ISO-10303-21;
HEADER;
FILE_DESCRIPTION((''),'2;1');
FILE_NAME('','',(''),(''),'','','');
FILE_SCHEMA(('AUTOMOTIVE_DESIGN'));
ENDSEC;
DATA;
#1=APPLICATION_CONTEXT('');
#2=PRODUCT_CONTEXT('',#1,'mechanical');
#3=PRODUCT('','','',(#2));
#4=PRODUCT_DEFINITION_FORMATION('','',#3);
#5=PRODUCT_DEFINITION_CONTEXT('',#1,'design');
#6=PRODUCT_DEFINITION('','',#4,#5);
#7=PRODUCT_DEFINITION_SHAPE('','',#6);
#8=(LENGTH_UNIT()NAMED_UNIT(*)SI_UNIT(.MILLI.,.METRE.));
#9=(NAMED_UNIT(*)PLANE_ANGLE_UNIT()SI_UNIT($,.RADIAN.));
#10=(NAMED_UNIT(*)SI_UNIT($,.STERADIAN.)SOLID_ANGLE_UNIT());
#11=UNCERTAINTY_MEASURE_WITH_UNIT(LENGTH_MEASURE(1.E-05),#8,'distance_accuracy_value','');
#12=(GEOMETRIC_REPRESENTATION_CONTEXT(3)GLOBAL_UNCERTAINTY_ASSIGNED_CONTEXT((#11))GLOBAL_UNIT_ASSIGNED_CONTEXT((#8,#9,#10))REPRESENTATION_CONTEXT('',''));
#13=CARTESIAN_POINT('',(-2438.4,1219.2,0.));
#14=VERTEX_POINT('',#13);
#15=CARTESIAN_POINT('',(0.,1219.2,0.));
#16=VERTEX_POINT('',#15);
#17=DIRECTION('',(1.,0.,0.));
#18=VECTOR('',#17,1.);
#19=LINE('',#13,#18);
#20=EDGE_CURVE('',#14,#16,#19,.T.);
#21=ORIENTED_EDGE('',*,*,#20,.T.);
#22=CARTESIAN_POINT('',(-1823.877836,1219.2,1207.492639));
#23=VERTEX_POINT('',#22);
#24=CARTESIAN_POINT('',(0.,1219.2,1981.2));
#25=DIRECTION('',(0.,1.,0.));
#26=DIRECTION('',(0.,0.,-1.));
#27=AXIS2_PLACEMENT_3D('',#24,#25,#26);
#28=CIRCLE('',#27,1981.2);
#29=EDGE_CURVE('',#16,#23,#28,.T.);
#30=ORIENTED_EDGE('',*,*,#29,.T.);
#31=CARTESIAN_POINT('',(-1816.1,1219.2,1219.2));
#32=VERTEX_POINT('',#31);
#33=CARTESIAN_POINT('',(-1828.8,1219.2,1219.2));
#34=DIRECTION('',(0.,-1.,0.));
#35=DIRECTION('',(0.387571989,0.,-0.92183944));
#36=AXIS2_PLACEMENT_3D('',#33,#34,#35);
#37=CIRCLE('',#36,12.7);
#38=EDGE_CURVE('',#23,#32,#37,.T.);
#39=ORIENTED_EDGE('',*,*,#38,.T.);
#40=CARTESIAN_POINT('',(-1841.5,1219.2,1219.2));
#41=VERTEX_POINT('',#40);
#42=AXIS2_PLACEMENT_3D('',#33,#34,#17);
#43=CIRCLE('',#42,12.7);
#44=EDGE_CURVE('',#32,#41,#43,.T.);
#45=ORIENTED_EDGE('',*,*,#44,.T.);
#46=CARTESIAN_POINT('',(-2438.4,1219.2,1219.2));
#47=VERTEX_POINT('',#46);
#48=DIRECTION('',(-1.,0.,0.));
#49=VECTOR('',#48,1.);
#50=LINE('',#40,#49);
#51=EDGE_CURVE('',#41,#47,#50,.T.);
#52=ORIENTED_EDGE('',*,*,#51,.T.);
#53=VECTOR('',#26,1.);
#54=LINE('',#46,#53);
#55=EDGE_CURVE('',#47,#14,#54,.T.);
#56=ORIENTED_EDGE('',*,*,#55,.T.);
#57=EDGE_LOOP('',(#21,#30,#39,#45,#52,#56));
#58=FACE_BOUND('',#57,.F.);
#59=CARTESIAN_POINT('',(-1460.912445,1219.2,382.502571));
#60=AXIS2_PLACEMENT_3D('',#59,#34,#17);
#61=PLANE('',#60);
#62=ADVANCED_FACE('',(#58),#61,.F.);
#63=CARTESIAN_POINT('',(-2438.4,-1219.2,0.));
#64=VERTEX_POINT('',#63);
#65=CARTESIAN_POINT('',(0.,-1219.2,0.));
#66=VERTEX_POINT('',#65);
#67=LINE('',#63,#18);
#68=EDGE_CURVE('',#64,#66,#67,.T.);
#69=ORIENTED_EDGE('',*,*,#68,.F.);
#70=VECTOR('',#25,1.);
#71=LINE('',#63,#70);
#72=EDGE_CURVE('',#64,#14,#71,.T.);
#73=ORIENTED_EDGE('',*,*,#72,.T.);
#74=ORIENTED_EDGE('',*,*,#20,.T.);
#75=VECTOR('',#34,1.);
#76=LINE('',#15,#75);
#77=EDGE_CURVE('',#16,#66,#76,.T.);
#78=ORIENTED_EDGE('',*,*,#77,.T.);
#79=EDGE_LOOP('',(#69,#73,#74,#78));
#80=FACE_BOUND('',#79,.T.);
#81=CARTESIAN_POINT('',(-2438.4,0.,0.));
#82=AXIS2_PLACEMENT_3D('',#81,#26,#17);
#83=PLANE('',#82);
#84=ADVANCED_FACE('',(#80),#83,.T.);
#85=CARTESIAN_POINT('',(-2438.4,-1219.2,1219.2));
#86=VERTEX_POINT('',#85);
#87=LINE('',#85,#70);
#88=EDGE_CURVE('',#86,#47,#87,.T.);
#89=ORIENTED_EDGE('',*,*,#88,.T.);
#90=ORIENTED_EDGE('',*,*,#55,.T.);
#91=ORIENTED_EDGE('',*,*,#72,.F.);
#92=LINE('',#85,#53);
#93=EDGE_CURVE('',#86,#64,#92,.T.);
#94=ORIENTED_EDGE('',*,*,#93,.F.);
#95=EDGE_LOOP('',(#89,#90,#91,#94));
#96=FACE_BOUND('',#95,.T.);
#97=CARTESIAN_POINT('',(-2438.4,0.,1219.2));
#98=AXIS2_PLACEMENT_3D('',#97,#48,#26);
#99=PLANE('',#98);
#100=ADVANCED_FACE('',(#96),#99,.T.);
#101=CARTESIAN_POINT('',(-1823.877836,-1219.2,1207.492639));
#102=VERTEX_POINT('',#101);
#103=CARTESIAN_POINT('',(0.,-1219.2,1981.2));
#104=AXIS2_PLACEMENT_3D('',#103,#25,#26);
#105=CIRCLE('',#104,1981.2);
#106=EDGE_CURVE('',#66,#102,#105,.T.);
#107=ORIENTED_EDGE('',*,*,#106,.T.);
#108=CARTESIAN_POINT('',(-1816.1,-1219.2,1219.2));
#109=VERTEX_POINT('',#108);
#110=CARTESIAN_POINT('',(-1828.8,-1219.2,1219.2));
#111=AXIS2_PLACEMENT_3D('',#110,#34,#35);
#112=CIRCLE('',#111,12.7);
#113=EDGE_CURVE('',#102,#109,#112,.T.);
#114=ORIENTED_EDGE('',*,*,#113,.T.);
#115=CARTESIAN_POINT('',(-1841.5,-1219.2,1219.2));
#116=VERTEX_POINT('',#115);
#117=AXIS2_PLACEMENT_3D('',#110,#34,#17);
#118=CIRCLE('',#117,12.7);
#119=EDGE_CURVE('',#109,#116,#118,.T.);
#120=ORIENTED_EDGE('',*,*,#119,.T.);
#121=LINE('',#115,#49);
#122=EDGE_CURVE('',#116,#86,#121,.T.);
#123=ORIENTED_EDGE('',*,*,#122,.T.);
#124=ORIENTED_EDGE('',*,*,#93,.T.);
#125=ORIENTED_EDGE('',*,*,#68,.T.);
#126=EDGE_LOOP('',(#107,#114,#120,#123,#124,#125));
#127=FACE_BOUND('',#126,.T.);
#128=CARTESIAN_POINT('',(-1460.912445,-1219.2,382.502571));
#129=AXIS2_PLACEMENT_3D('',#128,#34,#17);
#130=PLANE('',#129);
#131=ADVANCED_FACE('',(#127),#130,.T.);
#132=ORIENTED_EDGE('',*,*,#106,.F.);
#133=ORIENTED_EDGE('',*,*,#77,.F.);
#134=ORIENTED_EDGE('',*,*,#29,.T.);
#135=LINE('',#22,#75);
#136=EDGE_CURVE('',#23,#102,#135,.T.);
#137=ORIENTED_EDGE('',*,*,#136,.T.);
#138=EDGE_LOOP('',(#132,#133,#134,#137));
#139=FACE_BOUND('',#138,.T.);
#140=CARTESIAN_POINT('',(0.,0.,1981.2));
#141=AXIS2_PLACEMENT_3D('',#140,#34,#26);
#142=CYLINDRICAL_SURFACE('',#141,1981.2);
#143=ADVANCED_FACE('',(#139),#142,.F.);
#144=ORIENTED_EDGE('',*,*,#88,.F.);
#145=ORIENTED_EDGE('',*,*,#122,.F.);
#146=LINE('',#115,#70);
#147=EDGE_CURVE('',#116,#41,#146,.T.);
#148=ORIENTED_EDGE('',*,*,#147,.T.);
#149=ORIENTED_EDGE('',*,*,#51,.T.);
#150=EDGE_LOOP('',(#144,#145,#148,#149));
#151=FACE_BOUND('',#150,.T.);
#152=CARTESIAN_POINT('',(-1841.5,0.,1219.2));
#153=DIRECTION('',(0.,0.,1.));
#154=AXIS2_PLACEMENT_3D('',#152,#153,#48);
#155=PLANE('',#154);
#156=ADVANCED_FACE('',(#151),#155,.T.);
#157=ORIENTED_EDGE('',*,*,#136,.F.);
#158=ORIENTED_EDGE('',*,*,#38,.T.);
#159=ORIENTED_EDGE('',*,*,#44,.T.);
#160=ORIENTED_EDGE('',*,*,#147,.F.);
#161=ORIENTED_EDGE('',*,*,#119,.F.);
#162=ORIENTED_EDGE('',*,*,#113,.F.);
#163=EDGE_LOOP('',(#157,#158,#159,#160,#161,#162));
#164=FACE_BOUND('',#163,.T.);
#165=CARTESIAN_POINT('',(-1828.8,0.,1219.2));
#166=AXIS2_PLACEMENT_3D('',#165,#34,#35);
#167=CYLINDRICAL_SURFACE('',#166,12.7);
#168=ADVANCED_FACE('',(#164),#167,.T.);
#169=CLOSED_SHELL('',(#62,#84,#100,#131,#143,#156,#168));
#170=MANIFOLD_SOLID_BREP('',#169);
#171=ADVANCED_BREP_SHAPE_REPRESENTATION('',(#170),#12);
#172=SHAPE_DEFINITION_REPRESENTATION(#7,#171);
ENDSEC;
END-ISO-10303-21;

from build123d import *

# Parameters (mm, degrees)
F1_DEPTH = 1219.2


with BuildPart() as f1:
    # F0 (on Front) → F1 (new body, symmetric)
    with BuildSketch(Plane.XZ):
        with BuildLine():
            Line((-2438.4, 0), (0, 0))
            ThreePointArc((0, 0), (-1093.6828645922, 329.2280778121), (-1823.8778357404, 1207.4926391103))
            ThreePointArc((-1823.8778357404, 1207.4926391103), (-1835.8277490672, 1208.6216852454), (-1841.5, 1219.2))
            Line((-1841.5, 1219.2), (-2438.4, 1219.2))
            Line((-2438.4, 1219.2), (-2438.4, 0))
        make_face()
        with BuildLine():
            Line((-1828.8, 1219.2), (-1816.1, 1219.2))
            ThreePointArc((-1816.1, 1219.2), (-1828.8, 1231.9), (-1841.5, 1219.2))
            Line((-1841.5, 1219.2), (-1828.8, 1219.2))
        make_face()
        with BuildLine():
            ThreePointArc((-1828.8, 1219.2), (-1826.3482987924, 1213.3423755031), (-1823.8778357404, 1207.4926391103))
            ThreePointArc((-1823.8778357404, 1207.4926391103), (-1818.2216852454, 1212.1722509328), (-1816.1, 1219.2))
            Line((-1816.1, 1219.2), (-1828.8, 1219.2))
        make_face()
        with BuildLine():
            ThreePointArc((-1841.5, 1219.2), (-1835.8277490672, 1208.6216852454), (-1823.8778357404, 1207.4926391103))
            ThreePointArc((-1823.8778357404, 1207.4926391103), (-1826.3482987924, 1213.3423755031), (-1828.8, 1219.2))
            Line((-1828.8, 1219.2), (-1841.5, 1219.2))
        make_face()
    extrude(amount=F1_DEPTH, both=True)


solid = f1.part
